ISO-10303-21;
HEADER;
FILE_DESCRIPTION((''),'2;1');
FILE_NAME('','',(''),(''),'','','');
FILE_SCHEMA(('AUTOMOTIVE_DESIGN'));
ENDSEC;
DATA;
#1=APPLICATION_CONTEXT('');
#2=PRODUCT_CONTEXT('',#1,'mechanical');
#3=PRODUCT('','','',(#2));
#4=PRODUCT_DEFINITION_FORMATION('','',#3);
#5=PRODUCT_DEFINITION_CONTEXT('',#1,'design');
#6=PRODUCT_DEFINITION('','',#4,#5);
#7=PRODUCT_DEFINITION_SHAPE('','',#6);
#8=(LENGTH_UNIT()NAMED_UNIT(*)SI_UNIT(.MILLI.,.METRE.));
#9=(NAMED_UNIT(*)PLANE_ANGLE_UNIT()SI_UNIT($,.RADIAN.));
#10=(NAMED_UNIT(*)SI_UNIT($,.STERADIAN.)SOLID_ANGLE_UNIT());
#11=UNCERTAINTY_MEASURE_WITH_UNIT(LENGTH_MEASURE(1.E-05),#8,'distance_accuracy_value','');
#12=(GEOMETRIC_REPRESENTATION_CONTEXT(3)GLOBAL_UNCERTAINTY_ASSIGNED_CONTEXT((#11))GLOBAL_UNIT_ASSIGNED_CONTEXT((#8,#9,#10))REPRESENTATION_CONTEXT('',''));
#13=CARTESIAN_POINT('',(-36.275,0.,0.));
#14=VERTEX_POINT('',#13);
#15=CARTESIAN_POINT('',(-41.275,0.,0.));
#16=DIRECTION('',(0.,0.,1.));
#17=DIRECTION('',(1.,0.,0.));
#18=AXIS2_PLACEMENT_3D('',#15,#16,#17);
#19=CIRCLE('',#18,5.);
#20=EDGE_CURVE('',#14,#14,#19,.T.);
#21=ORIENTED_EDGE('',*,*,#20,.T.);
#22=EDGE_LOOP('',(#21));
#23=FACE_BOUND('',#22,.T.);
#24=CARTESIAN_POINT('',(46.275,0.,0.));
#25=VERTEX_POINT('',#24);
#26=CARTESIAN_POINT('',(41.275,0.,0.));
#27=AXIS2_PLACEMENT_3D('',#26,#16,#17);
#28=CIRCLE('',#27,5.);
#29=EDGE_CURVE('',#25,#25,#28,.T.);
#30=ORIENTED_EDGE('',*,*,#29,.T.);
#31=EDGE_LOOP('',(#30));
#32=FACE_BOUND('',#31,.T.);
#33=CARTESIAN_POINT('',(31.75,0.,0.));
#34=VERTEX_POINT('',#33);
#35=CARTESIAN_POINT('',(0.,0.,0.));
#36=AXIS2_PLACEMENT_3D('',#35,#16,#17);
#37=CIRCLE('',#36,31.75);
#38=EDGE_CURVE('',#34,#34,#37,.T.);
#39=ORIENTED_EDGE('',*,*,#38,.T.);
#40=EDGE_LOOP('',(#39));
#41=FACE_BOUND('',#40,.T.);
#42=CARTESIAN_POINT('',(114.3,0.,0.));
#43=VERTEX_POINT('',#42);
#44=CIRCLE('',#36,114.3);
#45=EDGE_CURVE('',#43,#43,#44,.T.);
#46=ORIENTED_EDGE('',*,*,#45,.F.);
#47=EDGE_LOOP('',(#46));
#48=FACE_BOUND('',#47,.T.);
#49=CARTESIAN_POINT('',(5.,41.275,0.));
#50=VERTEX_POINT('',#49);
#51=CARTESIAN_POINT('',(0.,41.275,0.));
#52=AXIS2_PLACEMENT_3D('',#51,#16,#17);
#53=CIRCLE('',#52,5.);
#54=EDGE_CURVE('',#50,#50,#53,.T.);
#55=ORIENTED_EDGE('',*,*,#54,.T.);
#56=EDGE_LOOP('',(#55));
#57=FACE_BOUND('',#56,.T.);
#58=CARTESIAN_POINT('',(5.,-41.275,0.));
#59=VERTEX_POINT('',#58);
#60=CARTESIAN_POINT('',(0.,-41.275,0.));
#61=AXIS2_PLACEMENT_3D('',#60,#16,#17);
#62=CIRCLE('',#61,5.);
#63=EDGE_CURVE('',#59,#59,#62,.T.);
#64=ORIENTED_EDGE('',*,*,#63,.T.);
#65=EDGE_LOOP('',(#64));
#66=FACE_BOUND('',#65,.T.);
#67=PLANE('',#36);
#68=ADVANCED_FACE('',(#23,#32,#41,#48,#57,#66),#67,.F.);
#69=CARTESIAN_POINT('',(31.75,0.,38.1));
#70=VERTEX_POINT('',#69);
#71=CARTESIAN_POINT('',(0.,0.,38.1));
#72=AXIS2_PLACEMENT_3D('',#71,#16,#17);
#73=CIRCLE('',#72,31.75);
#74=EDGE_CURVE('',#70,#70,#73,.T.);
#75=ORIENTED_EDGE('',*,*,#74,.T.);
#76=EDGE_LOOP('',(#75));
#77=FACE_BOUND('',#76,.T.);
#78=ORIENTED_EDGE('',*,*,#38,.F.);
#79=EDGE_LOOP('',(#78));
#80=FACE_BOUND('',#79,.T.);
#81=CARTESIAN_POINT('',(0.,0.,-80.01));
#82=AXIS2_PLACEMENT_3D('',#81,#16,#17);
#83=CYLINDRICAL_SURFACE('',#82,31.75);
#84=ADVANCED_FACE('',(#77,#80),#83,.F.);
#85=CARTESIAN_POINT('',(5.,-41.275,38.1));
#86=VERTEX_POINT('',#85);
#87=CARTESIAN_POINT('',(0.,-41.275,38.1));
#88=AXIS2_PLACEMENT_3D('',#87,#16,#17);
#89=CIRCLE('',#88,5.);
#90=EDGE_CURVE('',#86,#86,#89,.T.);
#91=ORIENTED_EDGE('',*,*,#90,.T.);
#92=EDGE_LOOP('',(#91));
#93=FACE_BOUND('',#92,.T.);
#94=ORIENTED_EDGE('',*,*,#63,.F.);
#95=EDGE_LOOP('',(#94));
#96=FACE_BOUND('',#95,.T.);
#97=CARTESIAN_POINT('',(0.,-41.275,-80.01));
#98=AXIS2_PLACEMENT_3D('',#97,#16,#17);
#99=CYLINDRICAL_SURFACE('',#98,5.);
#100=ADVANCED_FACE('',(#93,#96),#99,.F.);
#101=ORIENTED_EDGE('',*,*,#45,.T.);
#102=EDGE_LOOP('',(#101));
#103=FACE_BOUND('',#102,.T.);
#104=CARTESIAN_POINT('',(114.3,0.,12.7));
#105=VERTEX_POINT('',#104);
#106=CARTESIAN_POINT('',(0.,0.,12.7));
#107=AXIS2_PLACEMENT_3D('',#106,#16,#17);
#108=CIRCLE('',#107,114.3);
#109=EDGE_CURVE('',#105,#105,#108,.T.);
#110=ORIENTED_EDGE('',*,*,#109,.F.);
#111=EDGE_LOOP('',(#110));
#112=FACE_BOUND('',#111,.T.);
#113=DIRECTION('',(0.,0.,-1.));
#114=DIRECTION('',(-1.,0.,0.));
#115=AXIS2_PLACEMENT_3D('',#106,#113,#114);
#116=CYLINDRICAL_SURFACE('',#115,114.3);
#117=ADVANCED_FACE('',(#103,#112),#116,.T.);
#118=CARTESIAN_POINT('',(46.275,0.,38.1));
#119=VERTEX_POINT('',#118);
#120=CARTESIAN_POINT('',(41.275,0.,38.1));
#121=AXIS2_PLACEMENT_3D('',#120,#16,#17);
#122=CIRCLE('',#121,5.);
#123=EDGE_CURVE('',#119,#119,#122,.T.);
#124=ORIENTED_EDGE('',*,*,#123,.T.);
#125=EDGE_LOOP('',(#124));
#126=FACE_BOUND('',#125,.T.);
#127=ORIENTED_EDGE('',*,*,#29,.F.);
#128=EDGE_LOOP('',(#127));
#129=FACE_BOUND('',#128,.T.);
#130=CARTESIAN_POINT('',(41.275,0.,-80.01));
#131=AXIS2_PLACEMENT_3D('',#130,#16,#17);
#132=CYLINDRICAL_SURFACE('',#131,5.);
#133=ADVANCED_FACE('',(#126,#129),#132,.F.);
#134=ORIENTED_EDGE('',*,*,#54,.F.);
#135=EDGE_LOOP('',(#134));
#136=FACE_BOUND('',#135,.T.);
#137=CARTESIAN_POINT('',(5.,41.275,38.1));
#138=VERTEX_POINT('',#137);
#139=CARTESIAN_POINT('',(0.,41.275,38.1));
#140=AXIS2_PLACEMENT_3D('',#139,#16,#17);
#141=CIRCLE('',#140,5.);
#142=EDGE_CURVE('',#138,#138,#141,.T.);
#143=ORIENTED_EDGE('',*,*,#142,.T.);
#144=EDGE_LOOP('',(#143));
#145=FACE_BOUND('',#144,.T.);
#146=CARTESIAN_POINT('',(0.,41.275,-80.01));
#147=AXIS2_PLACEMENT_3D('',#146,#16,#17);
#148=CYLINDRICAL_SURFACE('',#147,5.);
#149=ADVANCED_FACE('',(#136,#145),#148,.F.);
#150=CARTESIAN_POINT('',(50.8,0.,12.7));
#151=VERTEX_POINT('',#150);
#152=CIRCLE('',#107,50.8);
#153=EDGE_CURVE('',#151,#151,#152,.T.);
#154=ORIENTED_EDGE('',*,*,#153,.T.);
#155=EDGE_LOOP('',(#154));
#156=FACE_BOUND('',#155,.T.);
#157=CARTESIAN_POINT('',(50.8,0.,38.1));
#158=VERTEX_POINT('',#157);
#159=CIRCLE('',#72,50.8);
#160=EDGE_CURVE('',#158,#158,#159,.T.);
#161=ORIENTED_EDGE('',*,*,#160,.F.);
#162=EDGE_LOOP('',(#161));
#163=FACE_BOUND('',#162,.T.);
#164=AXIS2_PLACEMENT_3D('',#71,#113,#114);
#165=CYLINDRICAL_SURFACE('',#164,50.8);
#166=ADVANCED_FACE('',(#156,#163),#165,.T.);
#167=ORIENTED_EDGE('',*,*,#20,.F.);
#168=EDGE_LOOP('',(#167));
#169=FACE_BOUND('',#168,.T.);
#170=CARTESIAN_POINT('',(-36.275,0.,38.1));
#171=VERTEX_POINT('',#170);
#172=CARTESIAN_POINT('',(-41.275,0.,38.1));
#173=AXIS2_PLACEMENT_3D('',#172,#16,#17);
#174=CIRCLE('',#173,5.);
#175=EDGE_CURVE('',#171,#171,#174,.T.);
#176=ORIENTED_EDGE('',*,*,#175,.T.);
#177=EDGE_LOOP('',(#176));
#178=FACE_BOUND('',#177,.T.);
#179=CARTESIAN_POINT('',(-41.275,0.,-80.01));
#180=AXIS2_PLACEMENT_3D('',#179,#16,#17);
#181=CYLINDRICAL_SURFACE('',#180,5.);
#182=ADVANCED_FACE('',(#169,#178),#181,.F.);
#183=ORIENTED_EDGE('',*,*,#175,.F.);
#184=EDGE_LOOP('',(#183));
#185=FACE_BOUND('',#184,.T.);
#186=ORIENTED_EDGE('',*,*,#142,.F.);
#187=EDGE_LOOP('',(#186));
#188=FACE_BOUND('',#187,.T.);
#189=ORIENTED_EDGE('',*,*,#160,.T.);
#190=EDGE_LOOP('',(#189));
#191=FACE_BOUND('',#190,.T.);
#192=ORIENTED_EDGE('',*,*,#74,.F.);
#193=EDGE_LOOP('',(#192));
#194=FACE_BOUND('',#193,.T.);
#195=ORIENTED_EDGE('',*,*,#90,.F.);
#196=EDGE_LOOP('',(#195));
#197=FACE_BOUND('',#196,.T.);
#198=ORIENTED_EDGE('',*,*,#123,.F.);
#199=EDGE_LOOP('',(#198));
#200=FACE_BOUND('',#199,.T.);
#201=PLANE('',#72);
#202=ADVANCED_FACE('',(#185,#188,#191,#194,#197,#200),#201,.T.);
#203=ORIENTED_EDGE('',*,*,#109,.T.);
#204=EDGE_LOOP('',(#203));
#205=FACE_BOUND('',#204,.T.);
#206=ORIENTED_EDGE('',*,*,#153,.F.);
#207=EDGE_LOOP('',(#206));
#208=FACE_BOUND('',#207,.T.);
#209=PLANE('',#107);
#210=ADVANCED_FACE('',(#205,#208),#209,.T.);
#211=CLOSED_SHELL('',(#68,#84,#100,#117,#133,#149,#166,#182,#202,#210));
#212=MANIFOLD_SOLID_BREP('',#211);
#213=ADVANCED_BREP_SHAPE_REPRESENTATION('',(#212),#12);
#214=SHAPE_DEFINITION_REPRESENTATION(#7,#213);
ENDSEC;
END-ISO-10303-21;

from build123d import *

# Parameters (mm, degrees)
SKETCH1_R           = 114.3
BOSS_EXTRUDE1_DEPTH = 12.7
SKETCH2_R           = 50.8
BOSS_EXTRUDE2_DEPTH = 25.4
SKETCH3_R           = 31.75
CUT_EXTRUDE1_DEPTH  = 118.11
SKETCH4_R           = 5
CUT_EXTRUDE2_DEPTH  = 118.11


with BuildPart() as part:
    # Sketch1 → Boss-Extrude1 (new body)
    with BuildSketch(Plane.XY):
        Circle(SKETCH1_R)
    extrude(amount=BOSS_EXTRUDE1_DEPTH)

    # Sketch2 → Boss-Extrude2 (add)
    with BuildSketch(Plane.XY.offset(12.7)):
        Circle(SKETCH2_R)
    extrude(amount=BOSS_EXTRUDE2_DEPTH)

    # Sketch3 → Cut-Extrude1 (cut)
    with BuildSketch(Plane.XY.offset(38.1)):
        Circle(SKETCH3_R)
    extrude(amount=-CUT_EXTRUDE1_DEPTH, mode=Mode.SUBTRACT)

    # Sketch4 → Cut-Extrude2 (cut)
    with BuildSketch(Plane.XY.offset(38.1)):
        with Locations((0, 41.275)):
            Circle(SKETCH4_R)
        with Locations((41.275, 0)):
            Circle(SKETCH4_R)
        with Locations((0, -41.275)):
            Circle(SKETCH4_R)
        with Locations((-41.275, 0)):
            Circle(SKETCH4_R)
    extrude(amount=-CUT_EXTRUDE2_DEPTH, mode=Mode.SUBTRACT)


solid = part.part
